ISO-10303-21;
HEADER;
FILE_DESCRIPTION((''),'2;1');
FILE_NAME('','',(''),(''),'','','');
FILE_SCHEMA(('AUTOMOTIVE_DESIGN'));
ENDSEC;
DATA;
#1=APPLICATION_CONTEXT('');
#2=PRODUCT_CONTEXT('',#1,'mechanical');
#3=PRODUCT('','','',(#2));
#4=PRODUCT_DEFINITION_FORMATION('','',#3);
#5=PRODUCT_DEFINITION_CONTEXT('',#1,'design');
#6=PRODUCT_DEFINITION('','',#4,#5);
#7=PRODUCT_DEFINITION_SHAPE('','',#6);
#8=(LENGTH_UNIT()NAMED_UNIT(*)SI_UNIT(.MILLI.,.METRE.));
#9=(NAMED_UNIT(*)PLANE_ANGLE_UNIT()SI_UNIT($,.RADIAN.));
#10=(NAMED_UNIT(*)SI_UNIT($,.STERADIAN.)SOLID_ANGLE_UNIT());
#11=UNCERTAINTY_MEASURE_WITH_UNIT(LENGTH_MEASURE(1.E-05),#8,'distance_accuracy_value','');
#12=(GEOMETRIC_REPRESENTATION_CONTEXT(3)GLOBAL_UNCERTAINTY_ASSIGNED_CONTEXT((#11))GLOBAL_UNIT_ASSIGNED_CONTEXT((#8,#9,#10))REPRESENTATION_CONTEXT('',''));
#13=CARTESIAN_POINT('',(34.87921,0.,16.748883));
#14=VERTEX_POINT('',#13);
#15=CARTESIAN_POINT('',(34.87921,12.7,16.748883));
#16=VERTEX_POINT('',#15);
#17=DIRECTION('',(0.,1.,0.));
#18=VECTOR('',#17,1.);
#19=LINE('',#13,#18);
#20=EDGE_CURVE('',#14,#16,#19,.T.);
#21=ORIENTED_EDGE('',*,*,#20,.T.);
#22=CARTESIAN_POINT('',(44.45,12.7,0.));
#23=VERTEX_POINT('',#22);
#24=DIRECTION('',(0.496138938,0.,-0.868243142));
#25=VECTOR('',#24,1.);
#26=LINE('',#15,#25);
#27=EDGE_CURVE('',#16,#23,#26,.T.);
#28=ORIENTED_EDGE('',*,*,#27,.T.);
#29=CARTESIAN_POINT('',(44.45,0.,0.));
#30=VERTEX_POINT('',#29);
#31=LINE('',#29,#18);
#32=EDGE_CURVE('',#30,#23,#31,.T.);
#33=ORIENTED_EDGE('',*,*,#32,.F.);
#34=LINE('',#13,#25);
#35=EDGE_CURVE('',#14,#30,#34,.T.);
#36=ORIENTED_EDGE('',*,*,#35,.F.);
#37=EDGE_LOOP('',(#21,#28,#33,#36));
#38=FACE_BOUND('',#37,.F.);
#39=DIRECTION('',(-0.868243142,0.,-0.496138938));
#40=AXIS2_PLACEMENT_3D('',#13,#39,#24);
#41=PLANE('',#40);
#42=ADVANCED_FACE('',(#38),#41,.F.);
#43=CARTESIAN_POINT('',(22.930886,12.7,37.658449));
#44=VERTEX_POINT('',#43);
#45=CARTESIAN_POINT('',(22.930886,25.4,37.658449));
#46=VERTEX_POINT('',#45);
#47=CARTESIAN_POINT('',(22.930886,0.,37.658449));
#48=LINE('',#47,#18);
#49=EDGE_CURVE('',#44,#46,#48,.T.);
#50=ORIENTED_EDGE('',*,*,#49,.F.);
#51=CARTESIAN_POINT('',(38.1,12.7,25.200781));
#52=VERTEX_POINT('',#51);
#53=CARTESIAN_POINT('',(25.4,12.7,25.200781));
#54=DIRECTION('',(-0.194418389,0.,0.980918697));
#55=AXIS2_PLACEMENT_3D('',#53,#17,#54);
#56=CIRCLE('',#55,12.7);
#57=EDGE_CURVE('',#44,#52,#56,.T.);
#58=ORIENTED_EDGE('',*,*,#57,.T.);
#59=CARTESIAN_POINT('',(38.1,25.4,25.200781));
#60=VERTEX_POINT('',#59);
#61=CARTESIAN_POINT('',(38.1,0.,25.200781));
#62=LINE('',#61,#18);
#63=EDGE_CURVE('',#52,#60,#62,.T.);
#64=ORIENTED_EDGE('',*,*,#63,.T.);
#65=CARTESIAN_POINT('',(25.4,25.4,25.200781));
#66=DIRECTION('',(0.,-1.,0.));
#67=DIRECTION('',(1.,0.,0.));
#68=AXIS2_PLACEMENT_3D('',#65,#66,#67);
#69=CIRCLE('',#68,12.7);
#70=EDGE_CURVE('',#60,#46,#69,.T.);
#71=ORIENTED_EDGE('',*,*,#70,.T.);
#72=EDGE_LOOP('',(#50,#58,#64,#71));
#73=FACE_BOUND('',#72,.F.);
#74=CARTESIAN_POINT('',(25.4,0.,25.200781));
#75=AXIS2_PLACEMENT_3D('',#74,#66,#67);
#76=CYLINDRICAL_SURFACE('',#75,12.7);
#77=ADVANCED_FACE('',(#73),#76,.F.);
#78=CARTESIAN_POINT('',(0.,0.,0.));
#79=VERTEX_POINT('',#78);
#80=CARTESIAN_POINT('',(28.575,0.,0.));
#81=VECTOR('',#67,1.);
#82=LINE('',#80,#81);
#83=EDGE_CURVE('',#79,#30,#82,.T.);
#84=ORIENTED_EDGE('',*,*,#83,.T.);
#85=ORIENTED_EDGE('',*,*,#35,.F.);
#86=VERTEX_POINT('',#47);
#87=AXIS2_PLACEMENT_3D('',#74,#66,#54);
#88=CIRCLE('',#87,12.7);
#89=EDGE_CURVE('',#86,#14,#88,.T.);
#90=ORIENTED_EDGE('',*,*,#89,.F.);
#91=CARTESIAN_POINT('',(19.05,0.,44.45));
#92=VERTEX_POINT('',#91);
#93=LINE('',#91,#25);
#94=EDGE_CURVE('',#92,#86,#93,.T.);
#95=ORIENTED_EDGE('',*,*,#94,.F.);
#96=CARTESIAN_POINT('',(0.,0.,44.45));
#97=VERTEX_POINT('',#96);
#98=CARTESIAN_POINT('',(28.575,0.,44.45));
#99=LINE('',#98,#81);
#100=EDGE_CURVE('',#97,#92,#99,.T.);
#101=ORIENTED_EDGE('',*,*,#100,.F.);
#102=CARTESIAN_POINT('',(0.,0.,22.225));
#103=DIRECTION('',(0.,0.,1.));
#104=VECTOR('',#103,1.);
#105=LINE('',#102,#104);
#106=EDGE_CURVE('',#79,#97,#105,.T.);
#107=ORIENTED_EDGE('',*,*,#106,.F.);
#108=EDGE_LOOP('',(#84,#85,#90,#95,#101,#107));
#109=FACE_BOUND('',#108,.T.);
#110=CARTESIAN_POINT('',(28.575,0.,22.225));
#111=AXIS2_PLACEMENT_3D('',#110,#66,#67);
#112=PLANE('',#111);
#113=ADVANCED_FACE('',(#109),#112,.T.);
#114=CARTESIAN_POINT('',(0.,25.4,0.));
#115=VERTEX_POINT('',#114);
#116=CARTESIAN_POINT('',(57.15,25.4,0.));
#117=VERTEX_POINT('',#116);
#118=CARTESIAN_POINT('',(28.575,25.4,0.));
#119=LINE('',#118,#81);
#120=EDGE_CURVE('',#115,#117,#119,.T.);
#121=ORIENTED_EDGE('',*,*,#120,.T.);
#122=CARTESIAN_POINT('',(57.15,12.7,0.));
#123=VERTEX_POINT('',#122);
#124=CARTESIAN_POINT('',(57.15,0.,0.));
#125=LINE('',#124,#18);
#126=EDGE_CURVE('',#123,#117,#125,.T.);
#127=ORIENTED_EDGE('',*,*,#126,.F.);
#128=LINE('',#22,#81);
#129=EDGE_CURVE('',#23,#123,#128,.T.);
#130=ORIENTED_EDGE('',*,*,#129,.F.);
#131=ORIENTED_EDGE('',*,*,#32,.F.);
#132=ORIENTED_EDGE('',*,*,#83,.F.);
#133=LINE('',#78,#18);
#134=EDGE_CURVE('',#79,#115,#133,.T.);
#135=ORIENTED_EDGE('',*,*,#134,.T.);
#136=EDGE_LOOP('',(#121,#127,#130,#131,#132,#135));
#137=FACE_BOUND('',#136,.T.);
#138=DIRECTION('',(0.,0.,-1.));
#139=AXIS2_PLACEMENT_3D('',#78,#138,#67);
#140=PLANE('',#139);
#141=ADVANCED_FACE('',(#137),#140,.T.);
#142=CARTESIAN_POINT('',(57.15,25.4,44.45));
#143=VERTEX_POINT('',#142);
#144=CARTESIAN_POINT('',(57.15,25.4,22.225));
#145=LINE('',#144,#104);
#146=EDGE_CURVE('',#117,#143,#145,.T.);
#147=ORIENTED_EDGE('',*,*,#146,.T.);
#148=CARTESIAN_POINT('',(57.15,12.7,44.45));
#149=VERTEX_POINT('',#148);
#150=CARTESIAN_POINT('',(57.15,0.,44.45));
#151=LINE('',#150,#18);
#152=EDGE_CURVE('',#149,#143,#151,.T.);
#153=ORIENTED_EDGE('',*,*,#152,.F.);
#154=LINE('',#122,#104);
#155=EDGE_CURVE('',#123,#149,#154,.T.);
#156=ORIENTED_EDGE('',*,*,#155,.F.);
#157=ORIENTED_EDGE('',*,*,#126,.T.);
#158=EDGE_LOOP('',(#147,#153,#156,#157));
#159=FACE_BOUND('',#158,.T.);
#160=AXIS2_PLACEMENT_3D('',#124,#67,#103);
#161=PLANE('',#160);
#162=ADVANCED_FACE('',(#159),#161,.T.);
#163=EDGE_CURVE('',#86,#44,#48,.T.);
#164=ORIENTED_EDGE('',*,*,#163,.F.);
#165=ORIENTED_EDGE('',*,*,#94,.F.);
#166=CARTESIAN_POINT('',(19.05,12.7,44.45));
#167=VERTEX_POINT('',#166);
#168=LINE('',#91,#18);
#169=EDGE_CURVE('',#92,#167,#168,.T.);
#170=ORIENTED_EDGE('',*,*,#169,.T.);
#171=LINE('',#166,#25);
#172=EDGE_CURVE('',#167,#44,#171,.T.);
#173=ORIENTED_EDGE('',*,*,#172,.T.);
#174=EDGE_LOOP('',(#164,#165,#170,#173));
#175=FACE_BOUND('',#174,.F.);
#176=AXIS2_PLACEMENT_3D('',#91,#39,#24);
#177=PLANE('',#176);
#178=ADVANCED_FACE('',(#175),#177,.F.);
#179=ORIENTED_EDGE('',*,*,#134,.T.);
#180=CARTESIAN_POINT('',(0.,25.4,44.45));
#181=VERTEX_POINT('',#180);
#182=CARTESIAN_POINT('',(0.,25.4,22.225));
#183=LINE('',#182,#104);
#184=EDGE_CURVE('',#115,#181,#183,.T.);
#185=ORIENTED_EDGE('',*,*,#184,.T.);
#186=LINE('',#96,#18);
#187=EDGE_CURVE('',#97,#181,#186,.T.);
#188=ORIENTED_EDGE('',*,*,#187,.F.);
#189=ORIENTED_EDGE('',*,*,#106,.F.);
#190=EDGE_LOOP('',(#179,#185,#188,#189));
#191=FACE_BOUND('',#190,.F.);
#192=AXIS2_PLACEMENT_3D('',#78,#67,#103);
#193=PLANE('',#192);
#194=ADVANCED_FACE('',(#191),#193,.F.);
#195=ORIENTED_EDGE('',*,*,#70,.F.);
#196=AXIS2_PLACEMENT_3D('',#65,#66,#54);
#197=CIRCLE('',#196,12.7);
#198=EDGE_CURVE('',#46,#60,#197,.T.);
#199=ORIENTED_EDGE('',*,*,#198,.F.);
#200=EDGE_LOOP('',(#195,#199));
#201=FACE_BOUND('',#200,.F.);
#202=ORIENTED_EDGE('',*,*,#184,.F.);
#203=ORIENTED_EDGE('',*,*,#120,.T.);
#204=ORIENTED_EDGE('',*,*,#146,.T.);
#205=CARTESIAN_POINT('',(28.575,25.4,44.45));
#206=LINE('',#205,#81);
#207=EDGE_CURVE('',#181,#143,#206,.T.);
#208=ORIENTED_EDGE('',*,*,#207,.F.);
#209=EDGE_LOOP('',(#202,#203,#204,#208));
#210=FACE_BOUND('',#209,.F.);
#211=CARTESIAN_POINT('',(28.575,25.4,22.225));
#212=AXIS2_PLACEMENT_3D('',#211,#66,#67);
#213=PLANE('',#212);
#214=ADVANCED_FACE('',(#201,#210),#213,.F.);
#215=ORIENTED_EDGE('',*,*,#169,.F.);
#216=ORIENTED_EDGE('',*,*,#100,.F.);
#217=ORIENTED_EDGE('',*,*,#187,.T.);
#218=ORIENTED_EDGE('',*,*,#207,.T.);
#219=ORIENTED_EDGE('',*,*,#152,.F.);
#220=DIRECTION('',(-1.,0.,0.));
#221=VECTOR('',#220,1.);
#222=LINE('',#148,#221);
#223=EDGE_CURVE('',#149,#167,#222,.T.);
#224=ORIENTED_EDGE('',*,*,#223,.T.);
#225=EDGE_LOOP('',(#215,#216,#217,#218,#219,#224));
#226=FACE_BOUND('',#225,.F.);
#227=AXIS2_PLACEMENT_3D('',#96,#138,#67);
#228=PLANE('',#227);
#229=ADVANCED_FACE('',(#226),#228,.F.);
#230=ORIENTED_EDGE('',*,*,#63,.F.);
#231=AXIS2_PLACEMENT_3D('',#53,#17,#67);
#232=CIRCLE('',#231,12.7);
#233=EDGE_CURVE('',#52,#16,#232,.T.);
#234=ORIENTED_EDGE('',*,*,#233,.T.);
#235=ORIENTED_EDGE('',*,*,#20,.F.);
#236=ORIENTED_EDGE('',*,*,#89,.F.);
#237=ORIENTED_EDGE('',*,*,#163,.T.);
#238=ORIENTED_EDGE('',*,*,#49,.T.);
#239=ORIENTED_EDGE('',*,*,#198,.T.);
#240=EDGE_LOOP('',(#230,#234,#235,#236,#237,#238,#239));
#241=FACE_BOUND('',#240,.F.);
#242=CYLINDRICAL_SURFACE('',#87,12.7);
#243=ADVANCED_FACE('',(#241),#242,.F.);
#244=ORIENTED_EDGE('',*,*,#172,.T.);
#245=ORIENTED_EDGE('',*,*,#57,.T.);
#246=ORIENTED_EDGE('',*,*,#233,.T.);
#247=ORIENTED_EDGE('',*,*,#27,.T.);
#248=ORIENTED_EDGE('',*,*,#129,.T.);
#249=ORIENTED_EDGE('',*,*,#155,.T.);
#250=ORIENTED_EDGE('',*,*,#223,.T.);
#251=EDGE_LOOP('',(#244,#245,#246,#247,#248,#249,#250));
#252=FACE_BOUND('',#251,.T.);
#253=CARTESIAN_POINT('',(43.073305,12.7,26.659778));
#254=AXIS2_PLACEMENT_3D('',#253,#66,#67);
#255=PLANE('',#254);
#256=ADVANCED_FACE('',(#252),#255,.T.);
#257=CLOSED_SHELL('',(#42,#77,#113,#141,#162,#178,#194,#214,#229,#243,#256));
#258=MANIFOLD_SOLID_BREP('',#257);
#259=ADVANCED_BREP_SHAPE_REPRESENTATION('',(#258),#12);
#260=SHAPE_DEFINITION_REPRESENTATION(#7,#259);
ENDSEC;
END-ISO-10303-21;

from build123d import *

# Parameters (mm, degrees)
F0_W     = 57.15
F0_H     = 44.45
F1_DEPTH = 25.4
F3_DEPTH = 50.8
F5_DEPTH = 12.7


with BuildPart() as f1:
    # F0 (on Front) → F1 (new body)
    with BuildSketch(Plane.XZ):
        with Locations((28.575, 22.225)):
            Rectangle(F0_W, F0_H)
    extrude(amount=-F1_DEPTH)

    # F2 (on face) → F3 (cut)
    with BuildSketch(Plane.XZ):
        with BuildLine():
            ThreePointArc((34.8792097013, 16.7488830228), (37.2675179209, 20.6783904546), (38.1, 25.2007812379))
            ThreePointArc((38.1, 25.2007812379), (33.4601568868, 35.0152537637), (22.930886463, 37.6584486898))
            Line((22.930886463, 37.6584486898), (34.8792097013, 16.7488830228))
        make_face()
        with BuildLine():
            Line((34.8792097013, 16.7488830228), (22.930886463, 37.6584486898))
            ThreePointArc((22.930886463, 37.6584486898), (14.373312095, 18.8998167208), (34.8792097013, 16.7488830228))
        make_face()
    extrude(amount=-F3_DEPTH, mode=Mode.SUBTRACT)

    # F4 (on face) → F5 (cut)
    with BuildSketch(Plane.XZ):
        with BuildLine():
            Line((57.15, 44.45), (19.05, 44.45))
            Line((19.05, 44.45), (22.930886463, 37.6584486898))
            ThreePointArc((22.930886463, 37.6584486898), (33.4601568868, 35.0152537637), (38.1, 25.2007812379))
            ThreePointArc((38.1, 25.2007812379), (37.2675179209, 20.6783904546), (34.8792097013, 16.7488830228))
            Line((34.8792097013, 16.7488830228), (44.45, 0))
            Line((44.45, 0), (57.15, 0))
            Line((57.15, 0), (57.15, 44.45))
        make_face()
    extrude(amount=-F5_DEPTH, mode=Mode.SUBTRACT)


solid = f1.part
